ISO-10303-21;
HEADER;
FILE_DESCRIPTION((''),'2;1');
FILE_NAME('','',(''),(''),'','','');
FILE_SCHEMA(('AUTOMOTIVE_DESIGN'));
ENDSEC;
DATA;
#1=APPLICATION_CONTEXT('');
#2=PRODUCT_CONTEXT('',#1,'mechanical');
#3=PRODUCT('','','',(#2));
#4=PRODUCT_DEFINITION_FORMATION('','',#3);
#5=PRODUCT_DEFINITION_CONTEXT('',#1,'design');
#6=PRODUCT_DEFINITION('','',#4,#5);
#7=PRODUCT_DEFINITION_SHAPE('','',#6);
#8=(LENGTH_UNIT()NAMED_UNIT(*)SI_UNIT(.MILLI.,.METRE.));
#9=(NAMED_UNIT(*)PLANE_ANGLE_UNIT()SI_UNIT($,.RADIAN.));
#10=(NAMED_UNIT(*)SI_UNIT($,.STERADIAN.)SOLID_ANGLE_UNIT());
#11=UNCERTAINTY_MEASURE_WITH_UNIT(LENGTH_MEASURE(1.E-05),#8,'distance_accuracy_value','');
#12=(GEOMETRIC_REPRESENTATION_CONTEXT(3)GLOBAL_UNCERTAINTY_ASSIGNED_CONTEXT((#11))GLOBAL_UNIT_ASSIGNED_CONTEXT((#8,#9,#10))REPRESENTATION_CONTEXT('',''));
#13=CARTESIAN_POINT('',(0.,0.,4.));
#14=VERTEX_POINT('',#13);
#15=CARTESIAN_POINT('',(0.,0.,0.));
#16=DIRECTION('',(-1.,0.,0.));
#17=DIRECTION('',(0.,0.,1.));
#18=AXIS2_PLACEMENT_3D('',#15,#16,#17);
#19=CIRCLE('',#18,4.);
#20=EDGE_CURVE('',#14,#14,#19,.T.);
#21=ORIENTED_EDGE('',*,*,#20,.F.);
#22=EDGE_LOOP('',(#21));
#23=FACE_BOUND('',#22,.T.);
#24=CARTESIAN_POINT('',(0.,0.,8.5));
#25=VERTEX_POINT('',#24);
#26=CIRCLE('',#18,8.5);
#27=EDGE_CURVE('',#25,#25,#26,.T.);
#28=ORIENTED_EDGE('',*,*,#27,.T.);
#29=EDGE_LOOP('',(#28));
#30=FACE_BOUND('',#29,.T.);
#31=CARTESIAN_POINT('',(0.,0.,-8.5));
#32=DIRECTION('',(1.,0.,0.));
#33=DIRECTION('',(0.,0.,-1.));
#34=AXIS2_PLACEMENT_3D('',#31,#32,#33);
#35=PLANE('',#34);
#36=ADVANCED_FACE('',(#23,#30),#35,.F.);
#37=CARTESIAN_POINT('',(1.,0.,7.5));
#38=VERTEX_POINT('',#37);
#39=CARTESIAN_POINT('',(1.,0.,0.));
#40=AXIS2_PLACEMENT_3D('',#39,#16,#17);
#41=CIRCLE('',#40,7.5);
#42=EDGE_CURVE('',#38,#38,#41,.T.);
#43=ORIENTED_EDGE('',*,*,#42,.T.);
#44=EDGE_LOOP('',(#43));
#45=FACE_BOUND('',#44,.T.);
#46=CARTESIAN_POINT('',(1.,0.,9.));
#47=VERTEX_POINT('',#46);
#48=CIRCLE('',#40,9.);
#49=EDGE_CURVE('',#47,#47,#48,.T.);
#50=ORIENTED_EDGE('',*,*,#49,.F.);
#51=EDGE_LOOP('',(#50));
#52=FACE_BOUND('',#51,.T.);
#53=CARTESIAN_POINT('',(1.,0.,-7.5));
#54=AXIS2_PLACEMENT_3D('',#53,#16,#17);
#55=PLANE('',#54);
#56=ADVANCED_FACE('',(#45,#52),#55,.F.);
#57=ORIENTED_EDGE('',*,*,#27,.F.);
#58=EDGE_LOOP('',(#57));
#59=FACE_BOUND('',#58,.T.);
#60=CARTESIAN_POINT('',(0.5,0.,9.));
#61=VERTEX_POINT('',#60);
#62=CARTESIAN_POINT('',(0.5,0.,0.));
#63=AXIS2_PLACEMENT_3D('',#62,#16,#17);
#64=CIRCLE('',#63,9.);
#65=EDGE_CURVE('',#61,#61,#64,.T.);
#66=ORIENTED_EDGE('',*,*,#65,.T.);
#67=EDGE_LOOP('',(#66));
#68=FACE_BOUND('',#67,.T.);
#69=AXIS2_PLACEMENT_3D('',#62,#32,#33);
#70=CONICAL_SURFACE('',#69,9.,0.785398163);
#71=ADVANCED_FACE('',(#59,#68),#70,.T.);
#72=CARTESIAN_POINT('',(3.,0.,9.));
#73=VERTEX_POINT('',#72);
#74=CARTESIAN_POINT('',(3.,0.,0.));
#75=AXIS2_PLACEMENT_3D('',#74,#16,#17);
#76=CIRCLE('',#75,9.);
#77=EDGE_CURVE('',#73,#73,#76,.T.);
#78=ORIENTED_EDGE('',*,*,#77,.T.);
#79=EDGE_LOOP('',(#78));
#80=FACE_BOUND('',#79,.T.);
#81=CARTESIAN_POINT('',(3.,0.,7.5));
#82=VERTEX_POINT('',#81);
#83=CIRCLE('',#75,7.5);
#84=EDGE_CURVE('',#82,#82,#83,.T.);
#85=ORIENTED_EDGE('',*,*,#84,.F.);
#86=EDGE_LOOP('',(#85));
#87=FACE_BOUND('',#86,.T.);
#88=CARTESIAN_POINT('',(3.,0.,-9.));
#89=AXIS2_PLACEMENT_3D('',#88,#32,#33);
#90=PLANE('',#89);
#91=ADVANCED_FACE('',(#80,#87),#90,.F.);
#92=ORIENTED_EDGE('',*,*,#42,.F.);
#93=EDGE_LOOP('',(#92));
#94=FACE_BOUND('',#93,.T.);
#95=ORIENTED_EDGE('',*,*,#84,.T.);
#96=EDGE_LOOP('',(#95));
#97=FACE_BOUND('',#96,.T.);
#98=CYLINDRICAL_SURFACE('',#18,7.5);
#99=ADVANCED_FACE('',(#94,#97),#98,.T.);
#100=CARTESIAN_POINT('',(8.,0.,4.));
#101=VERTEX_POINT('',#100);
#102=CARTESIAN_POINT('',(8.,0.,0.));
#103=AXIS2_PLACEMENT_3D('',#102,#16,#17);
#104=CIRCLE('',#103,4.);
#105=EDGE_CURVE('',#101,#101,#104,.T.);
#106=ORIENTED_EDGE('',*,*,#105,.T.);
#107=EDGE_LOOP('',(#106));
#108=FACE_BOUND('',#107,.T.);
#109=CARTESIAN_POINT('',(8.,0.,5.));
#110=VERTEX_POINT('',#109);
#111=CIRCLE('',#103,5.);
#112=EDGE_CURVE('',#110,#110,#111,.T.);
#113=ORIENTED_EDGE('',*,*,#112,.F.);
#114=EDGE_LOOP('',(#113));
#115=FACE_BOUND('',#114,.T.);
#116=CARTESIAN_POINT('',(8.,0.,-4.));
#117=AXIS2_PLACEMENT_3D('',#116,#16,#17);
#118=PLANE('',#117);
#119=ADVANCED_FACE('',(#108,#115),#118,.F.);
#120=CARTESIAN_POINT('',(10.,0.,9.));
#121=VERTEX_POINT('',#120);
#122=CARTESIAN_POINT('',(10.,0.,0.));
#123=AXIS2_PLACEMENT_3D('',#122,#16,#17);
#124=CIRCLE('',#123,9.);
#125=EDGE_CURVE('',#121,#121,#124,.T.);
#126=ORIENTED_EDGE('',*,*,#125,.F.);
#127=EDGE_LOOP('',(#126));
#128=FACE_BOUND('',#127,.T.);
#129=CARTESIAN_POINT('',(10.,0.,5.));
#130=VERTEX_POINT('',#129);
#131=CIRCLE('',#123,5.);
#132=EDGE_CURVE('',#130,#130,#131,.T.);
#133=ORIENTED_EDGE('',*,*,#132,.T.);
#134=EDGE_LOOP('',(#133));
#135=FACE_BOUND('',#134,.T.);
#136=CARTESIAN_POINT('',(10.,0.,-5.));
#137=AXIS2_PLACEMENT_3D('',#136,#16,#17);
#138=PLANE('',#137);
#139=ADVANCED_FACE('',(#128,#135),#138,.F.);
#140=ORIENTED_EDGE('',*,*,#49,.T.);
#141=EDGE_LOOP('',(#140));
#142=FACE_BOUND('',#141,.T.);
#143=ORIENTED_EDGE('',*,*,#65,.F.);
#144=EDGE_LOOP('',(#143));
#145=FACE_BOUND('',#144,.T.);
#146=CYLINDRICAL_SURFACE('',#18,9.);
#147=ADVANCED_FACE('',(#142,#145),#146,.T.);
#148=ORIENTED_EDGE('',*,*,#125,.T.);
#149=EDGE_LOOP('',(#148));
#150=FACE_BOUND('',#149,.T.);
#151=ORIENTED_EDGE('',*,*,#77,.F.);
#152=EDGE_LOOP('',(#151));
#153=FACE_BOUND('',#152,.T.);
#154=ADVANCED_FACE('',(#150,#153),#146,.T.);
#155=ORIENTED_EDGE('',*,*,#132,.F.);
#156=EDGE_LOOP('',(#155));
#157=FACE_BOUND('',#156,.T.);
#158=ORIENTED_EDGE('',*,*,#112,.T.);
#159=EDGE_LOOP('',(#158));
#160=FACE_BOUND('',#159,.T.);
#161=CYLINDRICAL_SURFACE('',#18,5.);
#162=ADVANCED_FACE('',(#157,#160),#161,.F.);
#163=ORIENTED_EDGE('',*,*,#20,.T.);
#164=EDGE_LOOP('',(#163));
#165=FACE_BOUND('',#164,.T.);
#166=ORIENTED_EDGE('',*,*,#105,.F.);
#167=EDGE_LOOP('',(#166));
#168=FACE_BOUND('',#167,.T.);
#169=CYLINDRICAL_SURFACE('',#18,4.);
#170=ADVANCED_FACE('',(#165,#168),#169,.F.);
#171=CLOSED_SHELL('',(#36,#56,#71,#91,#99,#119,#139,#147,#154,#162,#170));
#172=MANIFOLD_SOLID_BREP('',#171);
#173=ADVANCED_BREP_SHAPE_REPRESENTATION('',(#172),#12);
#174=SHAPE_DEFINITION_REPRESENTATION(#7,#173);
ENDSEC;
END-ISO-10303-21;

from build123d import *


with BuildPart() as part:
    # Croquis1 → Revolución2 (revolve)
    with BuildSketch(Plane(origin=(0, 0, 0), x_dir=(1, 0, 0), z_dir=(0, 1, 0)), mode=Mode.PRIVATE) as revoluci_n2_sk:
        Polygon((0, 4), (8, 4), (8, 5), (10, 5), (10, 9), (3, 9), (3, 7.5), (1, 7.5), (1, 9), (0.5, 9), (0, 8.5), align=None)
    revolve(revoluci_n2_sk.sketch.rotate(Axis((0, 0, 0), (1, 0, 0)), 180), axis=Axis((0, 0, 0), (1, 0, 0)))


solid = part.part
